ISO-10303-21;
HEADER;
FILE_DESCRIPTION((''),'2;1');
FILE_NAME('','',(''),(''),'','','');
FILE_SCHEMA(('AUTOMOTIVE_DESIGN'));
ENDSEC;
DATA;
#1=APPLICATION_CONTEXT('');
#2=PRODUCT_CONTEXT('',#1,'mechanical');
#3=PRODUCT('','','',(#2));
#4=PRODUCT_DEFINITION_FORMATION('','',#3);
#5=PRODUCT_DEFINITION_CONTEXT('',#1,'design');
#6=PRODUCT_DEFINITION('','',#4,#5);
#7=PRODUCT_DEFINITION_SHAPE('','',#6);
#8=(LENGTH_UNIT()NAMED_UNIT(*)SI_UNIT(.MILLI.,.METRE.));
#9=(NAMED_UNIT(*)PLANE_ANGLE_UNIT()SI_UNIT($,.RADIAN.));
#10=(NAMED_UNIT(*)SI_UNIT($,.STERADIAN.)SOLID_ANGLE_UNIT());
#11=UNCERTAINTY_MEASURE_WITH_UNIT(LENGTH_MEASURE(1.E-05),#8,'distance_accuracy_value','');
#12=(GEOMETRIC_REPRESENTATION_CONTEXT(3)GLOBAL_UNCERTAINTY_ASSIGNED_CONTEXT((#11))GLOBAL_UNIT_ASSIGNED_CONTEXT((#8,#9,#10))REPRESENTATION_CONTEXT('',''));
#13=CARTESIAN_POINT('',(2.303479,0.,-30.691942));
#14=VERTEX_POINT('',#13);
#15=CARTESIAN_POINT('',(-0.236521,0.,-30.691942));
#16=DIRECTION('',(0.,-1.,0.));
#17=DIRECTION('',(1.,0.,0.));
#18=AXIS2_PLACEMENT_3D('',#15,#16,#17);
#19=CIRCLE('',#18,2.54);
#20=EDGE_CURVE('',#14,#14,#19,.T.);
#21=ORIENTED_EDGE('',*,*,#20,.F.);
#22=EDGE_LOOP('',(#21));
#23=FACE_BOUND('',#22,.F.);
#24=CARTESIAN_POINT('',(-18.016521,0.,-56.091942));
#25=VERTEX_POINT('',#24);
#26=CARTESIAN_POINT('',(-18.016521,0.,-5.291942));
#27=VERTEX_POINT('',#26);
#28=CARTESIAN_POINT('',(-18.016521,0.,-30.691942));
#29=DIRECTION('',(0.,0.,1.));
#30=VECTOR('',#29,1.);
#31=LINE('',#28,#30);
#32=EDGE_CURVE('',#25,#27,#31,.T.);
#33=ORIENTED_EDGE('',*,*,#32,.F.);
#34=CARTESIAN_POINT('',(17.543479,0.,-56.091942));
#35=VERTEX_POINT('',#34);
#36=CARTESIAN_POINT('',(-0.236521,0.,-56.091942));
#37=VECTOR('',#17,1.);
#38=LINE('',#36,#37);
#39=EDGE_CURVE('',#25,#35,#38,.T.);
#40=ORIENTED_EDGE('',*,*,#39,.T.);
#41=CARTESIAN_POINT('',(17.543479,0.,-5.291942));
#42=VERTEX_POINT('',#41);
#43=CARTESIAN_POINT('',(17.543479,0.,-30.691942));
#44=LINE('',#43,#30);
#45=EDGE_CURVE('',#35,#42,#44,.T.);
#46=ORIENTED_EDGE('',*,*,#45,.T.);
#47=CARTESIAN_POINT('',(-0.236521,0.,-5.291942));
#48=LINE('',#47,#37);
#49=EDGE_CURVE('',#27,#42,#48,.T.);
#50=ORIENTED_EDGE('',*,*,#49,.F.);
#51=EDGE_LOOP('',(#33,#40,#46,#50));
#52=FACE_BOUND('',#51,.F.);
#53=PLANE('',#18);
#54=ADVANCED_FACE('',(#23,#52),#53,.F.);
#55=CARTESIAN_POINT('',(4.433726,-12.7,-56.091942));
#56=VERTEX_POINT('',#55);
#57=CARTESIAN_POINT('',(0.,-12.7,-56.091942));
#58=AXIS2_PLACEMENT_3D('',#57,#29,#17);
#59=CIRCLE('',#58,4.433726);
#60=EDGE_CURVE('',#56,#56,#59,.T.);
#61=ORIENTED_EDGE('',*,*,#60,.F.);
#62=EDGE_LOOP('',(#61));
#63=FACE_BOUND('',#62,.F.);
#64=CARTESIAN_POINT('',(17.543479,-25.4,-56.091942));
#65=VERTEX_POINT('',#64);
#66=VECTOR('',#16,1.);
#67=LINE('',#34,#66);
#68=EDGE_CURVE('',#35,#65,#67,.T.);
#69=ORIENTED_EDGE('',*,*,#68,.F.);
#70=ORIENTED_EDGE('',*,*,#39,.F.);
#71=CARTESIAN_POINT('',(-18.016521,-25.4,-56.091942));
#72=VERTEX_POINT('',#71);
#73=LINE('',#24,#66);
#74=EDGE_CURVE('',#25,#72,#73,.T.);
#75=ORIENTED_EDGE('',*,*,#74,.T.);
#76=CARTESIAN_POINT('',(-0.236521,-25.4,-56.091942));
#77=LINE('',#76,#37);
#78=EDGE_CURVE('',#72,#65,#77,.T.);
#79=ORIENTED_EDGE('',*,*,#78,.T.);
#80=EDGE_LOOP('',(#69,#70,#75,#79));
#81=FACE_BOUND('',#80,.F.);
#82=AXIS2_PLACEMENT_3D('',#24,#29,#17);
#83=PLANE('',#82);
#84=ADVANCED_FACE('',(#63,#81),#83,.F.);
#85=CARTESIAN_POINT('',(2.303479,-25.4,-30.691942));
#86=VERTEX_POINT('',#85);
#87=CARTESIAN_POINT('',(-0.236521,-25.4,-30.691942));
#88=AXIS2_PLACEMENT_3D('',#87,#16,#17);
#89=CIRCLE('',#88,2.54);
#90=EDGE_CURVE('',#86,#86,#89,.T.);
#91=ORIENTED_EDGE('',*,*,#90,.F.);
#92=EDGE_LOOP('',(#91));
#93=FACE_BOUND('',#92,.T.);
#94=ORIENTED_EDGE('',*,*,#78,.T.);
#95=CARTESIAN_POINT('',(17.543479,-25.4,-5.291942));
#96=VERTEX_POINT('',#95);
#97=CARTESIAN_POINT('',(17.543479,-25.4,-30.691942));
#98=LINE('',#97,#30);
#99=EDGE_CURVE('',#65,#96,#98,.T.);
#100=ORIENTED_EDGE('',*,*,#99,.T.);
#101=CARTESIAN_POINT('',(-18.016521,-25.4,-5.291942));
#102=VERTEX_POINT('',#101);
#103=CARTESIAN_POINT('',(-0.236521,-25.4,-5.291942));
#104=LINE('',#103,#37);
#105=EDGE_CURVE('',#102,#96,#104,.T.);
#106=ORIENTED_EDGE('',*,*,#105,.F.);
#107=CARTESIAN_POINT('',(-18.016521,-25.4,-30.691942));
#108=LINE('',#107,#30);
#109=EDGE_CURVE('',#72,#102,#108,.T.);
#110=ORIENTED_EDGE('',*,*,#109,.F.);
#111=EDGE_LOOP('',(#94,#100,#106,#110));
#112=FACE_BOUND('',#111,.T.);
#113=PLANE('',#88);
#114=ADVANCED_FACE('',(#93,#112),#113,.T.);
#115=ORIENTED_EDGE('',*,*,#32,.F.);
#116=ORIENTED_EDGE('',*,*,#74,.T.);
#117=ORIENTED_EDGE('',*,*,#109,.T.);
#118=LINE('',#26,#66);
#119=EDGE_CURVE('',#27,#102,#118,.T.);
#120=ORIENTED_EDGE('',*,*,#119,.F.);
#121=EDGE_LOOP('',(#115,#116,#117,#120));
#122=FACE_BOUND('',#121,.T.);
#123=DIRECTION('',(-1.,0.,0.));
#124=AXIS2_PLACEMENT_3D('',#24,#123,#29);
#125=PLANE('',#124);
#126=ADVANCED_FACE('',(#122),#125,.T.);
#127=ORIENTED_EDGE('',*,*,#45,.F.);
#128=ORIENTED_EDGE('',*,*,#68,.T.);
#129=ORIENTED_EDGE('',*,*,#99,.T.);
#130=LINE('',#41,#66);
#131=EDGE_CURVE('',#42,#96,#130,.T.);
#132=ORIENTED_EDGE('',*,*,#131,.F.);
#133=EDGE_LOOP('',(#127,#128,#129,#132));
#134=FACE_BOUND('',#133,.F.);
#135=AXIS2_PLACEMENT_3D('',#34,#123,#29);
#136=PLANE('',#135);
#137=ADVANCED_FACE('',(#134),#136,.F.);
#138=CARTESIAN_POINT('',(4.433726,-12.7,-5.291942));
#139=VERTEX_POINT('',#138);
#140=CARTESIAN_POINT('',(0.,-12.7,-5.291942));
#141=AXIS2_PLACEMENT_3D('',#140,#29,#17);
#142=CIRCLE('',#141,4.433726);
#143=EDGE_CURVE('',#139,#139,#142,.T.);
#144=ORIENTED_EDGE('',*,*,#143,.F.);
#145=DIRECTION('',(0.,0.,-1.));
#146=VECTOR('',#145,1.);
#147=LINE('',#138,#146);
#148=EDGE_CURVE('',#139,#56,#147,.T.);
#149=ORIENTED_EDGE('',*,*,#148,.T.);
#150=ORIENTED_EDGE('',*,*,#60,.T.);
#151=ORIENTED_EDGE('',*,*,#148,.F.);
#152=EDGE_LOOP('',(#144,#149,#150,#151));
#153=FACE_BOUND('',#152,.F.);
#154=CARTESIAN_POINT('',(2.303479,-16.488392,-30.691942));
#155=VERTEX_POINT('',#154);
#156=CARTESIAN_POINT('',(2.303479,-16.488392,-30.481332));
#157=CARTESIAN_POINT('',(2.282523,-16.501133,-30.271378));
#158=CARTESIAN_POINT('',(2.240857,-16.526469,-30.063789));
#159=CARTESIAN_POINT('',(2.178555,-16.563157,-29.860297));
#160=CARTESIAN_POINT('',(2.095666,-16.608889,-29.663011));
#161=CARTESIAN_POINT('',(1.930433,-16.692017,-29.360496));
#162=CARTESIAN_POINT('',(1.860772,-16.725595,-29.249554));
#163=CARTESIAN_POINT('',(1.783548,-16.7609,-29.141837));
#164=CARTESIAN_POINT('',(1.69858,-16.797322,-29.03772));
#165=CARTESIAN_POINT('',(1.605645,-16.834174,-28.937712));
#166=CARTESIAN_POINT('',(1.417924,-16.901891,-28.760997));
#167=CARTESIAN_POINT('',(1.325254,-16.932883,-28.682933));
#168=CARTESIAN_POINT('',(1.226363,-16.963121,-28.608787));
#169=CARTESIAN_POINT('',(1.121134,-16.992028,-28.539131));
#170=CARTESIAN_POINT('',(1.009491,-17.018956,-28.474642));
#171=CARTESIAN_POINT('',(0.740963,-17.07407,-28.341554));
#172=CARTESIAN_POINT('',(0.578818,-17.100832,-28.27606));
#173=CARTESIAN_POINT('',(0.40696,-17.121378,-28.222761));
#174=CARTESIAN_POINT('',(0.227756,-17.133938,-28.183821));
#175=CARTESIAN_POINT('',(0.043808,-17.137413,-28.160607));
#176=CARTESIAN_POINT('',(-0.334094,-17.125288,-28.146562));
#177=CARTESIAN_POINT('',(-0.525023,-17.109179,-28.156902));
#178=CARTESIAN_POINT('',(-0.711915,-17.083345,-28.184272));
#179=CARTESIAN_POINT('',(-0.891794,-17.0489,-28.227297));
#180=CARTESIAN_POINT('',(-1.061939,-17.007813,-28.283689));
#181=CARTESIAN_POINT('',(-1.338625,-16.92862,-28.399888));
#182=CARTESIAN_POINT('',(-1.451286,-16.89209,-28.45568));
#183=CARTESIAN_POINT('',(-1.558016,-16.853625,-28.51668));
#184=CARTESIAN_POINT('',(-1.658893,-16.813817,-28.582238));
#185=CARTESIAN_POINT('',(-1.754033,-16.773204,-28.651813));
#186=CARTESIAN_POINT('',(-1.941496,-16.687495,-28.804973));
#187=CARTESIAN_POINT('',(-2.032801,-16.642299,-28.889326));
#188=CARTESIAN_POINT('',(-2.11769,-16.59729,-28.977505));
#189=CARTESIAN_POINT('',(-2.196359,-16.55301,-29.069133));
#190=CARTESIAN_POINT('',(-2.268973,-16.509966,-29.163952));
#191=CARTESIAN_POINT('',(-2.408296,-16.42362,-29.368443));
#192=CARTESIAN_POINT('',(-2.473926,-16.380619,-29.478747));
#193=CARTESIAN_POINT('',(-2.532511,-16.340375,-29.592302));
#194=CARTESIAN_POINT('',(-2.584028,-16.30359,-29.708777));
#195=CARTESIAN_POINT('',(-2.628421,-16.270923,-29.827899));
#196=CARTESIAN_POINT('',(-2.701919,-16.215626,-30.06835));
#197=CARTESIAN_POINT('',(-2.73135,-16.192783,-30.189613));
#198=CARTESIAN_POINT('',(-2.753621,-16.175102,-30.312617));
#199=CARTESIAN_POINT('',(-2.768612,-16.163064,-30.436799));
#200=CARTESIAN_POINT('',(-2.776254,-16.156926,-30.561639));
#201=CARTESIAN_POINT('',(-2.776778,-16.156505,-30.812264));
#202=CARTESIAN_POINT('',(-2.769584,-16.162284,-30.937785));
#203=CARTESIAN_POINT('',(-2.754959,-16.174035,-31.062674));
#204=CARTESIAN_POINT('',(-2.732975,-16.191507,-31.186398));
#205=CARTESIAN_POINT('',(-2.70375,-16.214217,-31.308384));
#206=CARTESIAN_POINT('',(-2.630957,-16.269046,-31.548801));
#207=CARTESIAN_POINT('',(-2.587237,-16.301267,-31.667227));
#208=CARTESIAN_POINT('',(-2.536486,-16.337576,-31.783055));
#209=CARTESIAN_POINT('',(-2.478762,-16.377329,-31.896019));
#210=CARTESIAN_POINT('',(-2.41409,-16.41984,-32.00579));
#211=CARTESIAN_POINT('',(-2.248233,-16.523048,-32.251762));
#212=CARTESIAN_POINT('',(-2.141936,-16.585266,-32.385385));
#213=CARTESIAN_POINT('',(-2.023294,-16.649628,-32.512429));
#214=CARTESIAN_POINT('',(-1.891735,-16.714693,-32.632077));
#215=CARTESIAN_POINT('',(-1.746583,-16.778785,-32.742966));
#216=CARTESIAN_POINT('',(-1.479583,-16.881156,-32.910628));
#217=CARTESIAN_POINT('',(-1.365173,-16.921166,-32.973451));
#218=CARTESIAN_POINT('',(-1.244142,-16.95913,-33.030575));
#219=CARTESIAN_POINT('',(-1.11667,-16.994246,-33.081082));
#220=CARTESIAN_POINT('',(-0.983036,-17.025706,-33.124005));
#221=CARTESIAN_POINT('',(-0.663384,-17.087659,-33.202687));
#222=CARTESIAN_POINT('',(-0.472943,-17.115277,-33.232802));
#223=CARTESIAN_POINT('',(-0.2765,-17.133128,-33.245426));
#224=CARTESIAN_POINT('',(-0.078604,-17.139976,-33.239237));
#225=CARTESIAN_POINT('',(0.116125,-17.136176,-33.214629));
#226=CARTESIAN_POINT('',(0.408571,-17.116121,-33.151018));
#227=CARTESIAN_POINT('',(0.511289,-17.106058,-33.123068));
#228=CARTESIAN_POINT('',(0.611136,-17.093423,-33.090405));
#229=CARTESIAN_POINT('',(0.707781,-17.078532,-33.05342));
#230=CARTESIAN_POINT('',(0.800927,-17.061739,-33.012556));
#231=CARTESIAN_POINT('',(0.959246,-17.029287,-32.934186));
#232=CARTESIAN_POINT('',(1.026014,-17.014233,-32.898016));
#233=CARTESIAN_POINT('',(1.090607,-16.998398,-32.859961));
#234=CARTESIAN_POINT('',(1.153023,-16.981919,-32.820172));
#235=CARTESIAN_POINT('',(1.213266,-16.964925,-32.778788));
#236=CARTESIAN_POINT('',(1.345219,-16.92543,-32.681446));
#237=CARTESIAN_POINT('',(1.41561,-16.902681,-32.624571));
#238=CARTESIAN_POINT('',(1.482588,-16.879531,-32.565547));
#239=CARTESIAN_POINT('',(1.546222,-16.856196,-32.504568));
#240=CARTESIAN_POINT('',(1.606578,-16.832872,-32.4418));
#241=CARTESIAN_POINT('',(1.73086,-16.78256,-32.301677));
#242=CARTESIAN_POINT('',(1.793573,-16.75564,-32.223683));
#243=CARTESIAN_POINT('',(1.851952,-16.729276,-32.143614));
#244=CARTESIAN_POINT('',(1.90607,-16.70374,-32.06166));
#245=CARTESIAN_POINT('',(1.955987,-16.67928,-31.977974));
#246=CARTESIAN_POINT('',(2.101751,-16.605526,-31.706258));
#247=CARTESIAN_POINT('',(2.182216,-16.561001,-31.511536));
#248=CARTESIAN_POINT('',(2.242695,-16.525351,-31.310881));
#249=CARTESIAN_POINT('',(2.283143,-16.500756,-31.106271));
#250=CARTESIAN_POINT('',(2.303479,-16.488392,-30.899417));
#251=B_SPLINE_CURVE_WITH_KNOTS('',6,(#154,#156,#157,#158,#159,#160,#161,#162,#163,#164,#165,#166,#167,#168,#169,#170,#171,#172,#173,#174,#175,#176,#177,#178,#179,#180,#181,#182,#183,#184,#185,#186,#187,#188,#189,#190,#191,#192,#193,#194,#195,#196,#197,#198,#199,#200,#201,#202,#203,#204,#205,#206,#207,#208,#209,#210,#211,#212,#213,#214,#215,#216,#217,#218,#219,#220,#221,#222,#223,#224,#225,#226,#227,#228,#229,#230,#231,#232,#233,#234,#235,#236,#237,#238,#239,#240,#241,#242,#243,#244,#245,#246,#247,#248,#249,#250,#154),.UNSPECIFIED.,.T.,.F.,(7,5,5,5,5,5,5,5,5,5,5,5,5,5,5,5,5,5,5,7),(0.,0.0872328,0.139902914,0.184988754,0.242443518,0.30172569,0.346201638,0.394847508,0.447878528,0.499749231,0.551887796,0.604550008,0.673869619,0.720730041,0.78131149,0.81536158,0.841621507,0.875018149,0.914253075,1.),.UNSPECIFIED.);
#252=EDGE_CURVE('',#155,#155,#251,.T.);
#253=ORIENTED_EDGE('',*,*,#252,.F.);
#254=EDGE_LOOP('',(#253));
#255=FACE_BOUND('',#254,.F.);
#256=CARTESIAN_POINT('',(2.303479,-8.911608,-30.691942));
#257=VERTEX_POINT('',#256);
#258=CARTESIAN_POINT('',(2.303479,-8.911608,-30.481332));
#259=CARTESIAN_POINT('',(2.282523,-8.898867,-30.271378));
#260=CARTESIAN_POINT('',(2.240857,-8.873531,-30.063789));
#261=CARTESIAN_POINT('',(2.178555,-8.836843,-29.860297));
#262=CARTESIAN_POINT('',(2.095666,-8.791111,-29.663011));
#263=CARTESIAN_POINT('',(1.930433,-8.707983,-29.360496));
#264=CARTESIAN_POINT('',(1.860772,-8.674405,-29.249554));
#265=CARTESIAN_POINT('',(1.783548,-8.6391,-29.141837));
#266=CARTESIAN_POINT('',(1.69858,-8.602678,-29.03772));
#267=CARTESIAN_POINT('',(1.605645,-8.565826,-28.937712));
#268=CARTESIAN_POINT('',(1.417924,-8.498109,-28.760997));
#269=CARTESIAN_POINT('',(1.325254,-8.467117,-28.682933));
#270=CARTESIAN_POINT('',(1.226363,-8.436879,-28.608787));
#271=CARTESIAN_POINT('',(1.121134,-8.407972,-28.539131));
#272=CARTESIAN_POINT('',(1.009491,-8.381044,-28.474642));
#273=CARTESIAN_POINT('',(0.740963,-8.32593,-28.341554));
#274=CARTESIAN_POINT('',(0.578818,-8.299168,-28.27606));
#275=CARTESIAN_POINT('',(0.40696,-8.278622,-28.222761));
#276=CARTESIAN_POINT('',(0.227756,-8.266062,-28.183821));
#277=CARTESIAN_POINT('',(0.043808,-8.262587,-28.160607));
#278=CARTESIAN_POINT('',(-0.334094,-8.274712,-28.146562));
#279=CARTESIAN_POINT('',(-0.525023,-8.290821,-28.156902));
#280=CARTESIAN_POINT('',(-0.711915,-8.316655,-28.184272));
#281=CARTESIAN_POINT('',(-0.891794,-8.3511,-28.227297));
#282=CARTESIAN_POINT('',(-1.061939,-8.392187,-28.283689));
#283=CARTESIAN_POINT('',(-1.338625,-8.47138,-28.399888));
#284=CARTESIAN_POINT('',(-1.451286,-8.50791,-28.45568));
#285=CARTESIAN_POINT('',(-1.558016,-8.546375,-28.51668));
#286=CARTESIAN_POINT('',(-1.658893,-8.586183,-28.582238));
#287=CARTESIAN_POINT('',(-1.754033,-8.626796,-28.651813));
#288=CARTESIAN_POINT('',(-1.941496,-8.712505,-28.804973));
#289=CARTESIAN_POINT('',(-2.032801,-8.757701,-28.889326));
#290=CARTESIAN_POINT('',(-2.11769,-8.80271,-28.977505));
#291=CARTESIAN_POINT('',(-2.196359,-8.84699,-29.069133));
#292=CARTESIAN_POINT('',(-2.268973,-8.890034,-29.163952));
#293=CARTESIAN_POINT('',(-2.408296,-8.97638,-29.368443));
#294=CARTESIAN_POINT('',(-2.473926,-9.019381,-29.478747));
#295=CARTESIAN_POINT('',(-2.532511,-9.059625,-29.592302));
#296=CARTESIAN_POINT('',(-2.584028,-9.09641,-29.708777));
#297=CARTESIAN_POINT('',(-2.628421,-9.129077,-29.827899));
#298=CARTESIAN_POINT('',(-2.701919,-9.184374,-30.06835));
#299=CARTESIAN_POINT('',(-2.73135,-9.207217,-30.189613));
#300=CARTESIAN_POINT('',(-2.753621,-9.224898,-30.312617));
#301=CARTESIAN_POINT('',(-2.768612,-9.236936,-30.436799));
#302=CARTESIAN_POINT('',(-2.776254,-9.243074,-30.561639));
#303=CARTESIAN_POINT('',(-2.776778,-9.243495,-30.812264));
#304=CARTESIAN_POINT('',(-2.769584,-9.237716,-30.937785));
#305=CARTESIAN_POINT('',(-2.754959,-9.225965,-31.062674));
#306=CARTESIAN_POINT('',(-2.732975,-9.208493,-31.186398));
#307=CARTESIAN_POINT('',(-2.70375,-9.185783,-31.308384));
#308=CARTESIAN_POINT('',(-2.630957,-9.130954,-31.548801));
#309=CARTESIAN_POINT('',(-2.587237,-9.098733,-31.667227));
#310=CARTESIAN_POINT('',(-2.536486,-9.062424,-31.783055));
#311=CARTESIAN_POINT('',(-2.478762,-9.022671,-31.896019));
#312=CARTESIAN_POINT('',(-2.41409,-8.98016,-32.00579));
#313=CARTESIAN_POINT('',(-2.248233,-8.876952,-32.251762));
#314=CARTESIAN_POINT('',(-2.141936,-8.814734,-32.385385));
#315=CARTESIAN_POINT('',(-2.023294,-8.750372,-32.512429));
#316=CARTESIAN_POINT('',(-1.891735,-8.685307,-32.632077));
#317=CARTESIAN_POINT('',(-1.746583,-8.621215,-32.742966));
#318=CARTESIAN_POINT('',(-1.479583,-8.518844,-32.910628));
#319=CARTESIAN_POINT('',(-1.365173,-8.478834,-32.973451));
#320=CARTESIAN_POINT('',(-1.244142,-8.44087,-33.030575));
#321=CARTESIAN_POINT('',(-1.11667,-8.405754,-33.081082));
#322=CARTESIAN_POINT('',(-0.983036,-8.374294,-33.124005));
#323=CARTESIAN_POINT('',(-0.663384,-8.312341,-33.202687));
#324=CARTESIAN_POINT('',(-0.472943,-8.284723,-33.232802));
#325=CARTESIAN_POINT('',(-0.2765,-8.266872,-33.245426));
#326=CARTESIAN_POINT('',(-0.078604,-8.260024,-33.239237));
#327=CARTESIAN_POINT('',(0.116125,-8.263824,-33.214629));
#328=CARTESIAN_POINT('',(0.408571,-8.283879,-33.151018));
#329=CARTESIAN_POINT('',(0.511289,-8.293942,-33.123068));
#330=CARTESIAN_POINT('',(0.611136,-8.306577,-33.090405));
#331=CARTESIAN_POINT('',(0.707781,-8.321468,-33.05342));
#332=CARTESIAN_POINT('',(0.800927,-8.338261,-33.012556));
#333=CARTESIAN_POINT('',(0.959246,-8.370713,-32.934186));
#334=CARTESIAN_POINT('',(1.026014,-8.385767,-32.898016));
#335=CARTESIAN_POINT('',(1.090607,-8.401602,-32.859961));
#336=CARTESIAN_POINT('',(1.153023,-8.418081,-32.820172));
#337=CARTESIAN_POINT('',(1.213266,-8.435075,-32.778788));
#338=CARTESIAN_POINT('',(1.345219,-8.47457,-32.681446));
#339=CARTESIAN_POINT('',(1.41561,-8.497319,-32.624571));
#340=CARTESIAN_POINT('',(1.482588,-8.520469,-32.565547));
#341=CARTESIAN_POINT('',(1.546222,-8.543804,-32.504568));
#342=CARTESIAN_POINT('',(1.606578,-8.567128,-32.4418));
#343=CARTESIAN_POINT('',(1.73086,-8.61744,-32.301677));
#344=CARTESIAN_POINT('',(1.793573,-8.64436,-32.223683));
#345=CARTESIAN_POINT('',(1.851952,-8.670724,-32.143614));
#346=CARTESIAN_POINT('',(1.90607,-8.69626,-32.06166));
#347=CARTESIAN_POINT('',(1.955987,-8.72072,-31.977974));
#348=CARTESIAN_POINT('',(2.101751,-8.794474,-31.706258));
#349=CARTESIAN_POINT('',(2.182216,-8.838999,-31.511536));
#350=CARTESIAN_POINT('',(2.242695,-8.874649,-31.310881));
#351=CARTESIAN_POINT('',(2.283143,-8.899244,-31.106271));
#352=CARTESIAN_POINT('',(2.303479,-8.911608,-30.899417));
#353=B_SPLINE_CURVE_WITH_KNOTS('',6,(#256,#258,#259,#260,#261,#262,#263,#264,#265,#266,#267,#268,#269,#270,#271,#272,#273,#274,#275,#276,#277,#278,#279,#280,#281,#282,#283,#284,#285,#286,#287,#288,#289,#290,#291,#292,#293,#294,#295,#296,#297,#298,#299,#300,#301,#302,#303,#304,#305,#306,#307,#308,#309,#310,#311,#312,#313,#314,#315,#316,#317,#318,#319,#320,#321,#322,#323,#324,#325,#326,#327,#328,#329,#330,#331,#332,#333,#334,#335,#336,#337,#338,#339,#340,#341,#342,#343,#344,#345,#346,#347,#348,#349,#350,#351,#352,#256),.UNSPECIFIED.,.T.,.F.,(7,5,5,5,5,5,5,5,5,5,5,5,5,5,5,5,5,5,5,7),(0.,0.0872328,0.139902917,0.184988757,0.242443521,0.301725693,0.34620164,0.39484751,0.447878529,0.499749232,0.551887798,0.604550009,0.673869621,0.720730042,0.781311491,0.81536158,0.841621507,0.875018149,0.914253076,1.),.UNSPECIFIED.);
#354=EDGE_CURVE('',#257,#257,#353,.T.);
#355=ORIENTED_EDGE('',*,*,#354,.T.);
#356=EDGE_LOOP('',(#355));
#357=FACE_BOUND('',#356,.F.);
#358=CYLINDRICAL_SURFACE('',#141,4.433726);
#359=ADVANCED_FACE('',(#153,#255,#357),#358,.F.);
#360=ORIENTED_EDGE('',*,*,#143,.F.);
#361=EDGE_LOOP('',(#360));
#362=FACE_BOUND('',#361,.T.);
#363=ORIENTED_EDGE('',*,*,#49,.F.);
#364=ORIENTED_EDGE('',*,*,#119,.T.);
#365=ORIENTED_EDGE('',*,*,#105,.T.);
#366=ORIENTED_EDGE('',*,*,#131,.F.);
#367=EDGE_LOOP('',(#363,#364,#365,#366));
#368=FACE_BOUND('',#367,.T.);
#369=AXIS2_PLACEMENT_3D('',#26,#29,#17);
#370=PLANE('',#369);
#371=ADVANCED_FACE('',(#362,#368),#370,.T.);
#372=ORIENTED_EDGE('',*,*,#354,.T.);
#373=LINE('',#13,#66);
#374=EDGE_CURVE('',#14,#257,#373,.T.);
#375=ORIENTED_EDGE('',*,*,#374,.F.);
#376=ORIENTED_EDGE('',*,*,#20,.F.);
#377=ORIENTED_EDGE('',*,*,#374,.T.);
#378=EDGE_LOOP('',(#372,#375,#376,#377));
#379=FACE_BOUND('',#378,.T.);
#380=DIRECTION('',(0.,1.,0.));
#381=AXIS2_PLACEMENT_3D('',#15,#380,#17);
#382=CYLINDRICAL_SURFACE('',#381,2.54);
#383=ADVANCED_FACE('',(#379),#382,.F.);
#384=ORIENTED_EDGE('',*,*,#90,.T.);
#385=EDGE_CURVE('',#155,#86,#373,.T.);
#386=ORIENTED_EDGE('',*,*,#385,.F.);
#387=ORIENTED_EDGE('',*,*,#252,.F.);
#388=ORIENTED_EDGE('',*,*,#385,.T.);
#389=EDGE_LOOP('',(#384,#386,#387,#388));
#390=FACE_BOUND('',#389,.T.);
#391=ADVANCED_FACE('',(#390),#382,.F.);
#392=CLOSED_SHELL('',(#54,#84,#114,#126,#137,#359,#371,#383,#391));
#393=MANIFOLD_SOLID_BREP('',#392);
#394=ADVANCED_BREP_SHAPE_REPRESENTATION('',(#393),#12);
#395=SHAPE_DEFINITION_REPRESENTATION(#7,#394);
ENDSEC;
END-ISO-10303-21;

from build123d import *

# Parameters (mm, degrees)
F0_W     = 35.56
F0_H     = 50.8
F0_R     = 2.54
F1_DEPTH = 25.4
F2_R     = 4.433726
F3_DEPTH = 127


with BuildPart() as f1:
    # F0 (on Front) → F1 (new body)
    with BuildSketch(Plane.XZ):
        with Locations((-0.236521, -30.691942)):
            Rectangle(F0_W, F0_H)
        with Locations((-0.236521, -30.691942)):
            Circle(F0_R, mode=Mode.SUBTRACT)
    extrude(amount=F1_DEPTH)

    # F2 (on face) → F3 (cut)
    with BuildSketch(Plane.XY.offset(-5.291942)):
        with Locations((0, -12.7)):
            Circle(F2_R)
    extrude(amount=-F3_DEPTH, mode=Mode.SUBTRACT)


solid = f1.part
